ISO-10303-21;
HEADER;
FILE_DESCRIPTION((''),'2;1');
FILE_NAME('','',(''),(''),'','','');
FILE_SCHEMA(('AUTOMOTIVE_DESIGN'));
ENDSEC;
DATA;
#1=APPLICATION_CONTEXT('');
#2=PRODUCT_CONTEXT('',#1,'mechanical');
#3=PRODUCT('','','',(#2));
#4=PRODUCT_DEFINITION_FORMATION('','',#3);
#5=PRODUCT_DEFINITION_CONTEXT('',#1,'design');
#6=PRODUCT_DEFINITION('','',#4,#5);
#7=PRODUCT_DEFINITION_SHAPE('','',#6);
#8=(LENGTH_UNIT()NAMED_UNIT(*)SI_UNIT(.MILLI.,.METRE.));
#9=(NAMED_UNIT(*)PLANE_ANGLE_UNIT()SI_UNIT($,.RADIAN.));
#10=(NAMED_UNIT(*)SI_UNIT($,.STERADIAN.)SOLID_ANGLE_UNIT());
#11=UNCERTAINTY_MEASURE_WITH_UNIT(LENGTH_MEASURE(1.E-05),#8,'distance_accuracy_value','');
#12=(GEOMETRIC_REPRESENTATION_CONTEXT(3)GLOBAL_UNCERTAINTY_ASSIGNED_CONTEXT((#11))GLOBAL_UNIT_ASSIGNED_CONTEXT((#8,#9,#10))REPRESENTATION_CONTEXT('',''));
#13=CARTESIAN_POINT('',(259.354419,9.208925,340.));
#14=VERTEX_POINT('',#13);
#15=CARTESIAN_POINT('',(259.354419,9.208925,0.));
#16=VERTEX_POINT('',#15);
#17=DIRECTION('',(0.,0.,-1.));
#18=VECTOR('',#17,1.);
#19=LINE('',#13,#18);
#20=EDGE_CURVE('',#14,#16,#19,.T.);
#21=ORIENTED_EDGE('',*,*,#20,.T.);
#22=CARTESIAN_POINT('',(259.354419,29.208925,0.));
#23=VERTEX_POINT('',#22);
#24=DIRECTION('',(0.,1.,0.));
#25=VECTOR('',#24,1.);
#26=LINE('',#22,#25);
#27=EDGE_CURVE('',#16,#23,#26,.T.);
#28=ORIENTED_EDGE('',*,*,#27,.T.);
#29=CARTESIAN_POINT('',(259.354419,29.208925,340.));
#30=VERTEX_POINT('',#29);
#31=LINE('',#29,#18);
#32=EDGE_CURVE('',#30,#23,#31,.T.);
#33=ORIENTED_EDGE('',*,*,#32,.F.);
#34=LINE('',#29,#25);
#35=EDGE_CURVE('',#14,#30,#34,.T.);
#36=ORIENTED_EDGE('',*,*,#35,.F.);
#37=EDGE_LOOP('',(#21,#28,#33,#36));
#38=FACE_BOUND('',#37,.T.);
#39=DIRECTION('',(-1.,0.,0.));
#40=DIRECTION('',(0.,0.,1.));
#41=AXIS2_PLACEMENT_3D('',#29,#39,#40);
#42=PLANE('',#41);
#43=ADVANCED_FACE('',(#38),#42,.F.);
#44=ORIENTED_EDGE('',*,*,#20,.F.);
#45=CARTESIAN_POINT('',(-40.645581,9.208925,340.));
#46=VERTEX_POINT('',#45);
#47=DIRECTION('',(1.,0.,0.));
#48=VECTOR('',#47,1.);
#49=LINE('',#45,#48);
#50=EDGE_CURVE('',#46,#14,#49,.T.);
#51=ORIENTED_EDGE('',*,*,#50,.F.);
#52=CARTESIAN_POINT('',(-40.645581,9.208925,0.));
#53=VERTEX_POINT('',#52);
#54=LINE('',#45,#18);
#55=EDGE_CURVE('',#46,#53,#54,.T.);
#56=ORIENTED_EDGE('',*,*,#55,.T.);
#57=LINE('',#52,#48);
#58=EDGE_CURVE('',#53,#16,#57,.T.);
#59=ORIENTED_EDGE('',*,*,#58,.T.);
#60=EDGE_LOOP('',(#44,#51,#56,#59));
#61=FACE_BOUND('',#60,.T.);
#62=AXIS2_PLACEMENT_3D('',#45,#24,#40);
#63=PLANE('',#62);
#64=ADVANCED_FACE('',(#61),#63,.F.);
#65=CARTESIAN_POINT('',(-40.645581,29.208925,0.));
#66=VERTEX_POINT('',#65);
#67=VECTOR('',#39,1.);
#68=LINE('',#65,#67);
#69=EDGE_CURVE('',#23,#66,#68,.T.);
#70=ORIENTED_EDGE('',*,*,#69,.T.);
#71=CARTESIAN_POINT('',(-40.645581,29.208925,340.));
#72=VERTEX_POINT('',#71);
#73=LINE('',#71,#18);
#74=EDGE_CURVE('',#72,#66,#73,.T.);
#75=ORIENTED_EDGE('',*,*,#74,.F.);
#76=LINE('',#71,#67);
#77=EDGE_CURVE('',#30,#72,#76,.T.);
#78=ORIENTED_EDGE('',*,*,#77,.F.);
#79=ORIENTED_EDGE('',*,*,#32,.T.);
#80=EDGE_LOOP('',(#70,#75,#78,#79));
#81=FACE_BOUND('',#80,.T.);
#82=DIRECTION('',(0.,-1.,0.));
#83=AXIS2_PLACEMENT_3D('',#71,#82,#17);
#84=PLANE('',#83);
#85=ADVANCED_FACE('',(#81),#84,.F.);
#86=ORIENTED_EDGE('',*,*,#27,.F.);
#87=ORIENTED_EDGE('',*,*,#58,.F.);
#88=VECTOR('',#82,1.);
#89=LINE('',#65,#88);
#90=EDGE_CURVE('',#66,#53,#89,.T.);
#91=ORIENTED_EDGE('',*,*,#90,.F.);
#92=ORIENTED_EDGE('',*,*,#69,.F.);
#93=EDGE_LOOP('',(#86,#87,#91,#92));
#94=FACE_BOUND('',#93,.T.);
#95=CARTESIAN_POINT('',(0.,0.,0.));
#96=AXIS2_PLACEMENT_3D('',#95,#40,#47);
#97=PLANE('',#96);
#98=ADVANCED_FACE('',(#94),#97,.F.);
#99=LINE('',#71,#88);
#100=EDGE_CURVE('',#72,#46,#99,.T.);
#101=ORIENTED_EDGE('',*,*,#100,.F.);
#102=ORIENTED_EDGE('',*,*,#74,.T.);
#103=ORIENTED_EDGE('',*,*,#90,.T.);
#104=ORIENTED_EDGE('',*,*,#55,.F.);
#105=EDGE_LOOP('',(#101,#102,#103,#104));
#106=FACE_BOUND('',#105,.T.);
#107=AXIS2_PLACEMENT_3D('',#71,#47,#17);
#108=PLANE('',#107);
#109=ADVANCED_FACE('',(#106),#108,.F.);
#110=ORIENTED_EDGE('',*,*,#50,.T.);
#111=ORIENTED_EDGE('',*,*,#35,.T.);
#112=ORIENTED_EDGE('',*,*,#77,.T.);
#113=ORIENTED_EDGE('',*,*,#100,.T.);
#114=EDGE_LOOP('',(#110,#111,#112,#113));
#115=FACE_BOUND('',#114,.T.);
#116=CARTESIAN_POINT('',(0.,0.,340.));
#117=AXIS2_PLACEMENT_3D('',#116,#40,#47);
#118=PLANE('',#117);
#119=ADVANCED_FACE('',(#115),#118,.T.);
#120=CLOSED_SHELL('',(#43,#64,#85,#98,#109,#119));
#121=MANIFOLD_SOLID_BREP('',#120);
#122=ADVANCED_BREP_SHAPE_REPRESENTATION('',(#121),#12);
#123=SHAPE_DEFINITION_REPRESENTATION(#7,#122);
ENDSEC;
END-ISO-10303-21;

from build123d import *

# Parameters (mm, degrees)
CROQUIS1_W              = 300
CROQUIS1_H              = 20
SALIENTE_EXTRUIR1_DEPTH = 340


with BuildPart() as part:
    # Croquis1 → Saliente-Extruir1 (new body)
    with BuildSketch(Plane.XY):
        with Locations((109.354418651, 19.208924949)):
            Rectangle(CROQUIS1_W, CROQUIS1_H)
    extrude(amount=SALIENTE_EXTRUIR1_DEPTH)


solid = part.part
